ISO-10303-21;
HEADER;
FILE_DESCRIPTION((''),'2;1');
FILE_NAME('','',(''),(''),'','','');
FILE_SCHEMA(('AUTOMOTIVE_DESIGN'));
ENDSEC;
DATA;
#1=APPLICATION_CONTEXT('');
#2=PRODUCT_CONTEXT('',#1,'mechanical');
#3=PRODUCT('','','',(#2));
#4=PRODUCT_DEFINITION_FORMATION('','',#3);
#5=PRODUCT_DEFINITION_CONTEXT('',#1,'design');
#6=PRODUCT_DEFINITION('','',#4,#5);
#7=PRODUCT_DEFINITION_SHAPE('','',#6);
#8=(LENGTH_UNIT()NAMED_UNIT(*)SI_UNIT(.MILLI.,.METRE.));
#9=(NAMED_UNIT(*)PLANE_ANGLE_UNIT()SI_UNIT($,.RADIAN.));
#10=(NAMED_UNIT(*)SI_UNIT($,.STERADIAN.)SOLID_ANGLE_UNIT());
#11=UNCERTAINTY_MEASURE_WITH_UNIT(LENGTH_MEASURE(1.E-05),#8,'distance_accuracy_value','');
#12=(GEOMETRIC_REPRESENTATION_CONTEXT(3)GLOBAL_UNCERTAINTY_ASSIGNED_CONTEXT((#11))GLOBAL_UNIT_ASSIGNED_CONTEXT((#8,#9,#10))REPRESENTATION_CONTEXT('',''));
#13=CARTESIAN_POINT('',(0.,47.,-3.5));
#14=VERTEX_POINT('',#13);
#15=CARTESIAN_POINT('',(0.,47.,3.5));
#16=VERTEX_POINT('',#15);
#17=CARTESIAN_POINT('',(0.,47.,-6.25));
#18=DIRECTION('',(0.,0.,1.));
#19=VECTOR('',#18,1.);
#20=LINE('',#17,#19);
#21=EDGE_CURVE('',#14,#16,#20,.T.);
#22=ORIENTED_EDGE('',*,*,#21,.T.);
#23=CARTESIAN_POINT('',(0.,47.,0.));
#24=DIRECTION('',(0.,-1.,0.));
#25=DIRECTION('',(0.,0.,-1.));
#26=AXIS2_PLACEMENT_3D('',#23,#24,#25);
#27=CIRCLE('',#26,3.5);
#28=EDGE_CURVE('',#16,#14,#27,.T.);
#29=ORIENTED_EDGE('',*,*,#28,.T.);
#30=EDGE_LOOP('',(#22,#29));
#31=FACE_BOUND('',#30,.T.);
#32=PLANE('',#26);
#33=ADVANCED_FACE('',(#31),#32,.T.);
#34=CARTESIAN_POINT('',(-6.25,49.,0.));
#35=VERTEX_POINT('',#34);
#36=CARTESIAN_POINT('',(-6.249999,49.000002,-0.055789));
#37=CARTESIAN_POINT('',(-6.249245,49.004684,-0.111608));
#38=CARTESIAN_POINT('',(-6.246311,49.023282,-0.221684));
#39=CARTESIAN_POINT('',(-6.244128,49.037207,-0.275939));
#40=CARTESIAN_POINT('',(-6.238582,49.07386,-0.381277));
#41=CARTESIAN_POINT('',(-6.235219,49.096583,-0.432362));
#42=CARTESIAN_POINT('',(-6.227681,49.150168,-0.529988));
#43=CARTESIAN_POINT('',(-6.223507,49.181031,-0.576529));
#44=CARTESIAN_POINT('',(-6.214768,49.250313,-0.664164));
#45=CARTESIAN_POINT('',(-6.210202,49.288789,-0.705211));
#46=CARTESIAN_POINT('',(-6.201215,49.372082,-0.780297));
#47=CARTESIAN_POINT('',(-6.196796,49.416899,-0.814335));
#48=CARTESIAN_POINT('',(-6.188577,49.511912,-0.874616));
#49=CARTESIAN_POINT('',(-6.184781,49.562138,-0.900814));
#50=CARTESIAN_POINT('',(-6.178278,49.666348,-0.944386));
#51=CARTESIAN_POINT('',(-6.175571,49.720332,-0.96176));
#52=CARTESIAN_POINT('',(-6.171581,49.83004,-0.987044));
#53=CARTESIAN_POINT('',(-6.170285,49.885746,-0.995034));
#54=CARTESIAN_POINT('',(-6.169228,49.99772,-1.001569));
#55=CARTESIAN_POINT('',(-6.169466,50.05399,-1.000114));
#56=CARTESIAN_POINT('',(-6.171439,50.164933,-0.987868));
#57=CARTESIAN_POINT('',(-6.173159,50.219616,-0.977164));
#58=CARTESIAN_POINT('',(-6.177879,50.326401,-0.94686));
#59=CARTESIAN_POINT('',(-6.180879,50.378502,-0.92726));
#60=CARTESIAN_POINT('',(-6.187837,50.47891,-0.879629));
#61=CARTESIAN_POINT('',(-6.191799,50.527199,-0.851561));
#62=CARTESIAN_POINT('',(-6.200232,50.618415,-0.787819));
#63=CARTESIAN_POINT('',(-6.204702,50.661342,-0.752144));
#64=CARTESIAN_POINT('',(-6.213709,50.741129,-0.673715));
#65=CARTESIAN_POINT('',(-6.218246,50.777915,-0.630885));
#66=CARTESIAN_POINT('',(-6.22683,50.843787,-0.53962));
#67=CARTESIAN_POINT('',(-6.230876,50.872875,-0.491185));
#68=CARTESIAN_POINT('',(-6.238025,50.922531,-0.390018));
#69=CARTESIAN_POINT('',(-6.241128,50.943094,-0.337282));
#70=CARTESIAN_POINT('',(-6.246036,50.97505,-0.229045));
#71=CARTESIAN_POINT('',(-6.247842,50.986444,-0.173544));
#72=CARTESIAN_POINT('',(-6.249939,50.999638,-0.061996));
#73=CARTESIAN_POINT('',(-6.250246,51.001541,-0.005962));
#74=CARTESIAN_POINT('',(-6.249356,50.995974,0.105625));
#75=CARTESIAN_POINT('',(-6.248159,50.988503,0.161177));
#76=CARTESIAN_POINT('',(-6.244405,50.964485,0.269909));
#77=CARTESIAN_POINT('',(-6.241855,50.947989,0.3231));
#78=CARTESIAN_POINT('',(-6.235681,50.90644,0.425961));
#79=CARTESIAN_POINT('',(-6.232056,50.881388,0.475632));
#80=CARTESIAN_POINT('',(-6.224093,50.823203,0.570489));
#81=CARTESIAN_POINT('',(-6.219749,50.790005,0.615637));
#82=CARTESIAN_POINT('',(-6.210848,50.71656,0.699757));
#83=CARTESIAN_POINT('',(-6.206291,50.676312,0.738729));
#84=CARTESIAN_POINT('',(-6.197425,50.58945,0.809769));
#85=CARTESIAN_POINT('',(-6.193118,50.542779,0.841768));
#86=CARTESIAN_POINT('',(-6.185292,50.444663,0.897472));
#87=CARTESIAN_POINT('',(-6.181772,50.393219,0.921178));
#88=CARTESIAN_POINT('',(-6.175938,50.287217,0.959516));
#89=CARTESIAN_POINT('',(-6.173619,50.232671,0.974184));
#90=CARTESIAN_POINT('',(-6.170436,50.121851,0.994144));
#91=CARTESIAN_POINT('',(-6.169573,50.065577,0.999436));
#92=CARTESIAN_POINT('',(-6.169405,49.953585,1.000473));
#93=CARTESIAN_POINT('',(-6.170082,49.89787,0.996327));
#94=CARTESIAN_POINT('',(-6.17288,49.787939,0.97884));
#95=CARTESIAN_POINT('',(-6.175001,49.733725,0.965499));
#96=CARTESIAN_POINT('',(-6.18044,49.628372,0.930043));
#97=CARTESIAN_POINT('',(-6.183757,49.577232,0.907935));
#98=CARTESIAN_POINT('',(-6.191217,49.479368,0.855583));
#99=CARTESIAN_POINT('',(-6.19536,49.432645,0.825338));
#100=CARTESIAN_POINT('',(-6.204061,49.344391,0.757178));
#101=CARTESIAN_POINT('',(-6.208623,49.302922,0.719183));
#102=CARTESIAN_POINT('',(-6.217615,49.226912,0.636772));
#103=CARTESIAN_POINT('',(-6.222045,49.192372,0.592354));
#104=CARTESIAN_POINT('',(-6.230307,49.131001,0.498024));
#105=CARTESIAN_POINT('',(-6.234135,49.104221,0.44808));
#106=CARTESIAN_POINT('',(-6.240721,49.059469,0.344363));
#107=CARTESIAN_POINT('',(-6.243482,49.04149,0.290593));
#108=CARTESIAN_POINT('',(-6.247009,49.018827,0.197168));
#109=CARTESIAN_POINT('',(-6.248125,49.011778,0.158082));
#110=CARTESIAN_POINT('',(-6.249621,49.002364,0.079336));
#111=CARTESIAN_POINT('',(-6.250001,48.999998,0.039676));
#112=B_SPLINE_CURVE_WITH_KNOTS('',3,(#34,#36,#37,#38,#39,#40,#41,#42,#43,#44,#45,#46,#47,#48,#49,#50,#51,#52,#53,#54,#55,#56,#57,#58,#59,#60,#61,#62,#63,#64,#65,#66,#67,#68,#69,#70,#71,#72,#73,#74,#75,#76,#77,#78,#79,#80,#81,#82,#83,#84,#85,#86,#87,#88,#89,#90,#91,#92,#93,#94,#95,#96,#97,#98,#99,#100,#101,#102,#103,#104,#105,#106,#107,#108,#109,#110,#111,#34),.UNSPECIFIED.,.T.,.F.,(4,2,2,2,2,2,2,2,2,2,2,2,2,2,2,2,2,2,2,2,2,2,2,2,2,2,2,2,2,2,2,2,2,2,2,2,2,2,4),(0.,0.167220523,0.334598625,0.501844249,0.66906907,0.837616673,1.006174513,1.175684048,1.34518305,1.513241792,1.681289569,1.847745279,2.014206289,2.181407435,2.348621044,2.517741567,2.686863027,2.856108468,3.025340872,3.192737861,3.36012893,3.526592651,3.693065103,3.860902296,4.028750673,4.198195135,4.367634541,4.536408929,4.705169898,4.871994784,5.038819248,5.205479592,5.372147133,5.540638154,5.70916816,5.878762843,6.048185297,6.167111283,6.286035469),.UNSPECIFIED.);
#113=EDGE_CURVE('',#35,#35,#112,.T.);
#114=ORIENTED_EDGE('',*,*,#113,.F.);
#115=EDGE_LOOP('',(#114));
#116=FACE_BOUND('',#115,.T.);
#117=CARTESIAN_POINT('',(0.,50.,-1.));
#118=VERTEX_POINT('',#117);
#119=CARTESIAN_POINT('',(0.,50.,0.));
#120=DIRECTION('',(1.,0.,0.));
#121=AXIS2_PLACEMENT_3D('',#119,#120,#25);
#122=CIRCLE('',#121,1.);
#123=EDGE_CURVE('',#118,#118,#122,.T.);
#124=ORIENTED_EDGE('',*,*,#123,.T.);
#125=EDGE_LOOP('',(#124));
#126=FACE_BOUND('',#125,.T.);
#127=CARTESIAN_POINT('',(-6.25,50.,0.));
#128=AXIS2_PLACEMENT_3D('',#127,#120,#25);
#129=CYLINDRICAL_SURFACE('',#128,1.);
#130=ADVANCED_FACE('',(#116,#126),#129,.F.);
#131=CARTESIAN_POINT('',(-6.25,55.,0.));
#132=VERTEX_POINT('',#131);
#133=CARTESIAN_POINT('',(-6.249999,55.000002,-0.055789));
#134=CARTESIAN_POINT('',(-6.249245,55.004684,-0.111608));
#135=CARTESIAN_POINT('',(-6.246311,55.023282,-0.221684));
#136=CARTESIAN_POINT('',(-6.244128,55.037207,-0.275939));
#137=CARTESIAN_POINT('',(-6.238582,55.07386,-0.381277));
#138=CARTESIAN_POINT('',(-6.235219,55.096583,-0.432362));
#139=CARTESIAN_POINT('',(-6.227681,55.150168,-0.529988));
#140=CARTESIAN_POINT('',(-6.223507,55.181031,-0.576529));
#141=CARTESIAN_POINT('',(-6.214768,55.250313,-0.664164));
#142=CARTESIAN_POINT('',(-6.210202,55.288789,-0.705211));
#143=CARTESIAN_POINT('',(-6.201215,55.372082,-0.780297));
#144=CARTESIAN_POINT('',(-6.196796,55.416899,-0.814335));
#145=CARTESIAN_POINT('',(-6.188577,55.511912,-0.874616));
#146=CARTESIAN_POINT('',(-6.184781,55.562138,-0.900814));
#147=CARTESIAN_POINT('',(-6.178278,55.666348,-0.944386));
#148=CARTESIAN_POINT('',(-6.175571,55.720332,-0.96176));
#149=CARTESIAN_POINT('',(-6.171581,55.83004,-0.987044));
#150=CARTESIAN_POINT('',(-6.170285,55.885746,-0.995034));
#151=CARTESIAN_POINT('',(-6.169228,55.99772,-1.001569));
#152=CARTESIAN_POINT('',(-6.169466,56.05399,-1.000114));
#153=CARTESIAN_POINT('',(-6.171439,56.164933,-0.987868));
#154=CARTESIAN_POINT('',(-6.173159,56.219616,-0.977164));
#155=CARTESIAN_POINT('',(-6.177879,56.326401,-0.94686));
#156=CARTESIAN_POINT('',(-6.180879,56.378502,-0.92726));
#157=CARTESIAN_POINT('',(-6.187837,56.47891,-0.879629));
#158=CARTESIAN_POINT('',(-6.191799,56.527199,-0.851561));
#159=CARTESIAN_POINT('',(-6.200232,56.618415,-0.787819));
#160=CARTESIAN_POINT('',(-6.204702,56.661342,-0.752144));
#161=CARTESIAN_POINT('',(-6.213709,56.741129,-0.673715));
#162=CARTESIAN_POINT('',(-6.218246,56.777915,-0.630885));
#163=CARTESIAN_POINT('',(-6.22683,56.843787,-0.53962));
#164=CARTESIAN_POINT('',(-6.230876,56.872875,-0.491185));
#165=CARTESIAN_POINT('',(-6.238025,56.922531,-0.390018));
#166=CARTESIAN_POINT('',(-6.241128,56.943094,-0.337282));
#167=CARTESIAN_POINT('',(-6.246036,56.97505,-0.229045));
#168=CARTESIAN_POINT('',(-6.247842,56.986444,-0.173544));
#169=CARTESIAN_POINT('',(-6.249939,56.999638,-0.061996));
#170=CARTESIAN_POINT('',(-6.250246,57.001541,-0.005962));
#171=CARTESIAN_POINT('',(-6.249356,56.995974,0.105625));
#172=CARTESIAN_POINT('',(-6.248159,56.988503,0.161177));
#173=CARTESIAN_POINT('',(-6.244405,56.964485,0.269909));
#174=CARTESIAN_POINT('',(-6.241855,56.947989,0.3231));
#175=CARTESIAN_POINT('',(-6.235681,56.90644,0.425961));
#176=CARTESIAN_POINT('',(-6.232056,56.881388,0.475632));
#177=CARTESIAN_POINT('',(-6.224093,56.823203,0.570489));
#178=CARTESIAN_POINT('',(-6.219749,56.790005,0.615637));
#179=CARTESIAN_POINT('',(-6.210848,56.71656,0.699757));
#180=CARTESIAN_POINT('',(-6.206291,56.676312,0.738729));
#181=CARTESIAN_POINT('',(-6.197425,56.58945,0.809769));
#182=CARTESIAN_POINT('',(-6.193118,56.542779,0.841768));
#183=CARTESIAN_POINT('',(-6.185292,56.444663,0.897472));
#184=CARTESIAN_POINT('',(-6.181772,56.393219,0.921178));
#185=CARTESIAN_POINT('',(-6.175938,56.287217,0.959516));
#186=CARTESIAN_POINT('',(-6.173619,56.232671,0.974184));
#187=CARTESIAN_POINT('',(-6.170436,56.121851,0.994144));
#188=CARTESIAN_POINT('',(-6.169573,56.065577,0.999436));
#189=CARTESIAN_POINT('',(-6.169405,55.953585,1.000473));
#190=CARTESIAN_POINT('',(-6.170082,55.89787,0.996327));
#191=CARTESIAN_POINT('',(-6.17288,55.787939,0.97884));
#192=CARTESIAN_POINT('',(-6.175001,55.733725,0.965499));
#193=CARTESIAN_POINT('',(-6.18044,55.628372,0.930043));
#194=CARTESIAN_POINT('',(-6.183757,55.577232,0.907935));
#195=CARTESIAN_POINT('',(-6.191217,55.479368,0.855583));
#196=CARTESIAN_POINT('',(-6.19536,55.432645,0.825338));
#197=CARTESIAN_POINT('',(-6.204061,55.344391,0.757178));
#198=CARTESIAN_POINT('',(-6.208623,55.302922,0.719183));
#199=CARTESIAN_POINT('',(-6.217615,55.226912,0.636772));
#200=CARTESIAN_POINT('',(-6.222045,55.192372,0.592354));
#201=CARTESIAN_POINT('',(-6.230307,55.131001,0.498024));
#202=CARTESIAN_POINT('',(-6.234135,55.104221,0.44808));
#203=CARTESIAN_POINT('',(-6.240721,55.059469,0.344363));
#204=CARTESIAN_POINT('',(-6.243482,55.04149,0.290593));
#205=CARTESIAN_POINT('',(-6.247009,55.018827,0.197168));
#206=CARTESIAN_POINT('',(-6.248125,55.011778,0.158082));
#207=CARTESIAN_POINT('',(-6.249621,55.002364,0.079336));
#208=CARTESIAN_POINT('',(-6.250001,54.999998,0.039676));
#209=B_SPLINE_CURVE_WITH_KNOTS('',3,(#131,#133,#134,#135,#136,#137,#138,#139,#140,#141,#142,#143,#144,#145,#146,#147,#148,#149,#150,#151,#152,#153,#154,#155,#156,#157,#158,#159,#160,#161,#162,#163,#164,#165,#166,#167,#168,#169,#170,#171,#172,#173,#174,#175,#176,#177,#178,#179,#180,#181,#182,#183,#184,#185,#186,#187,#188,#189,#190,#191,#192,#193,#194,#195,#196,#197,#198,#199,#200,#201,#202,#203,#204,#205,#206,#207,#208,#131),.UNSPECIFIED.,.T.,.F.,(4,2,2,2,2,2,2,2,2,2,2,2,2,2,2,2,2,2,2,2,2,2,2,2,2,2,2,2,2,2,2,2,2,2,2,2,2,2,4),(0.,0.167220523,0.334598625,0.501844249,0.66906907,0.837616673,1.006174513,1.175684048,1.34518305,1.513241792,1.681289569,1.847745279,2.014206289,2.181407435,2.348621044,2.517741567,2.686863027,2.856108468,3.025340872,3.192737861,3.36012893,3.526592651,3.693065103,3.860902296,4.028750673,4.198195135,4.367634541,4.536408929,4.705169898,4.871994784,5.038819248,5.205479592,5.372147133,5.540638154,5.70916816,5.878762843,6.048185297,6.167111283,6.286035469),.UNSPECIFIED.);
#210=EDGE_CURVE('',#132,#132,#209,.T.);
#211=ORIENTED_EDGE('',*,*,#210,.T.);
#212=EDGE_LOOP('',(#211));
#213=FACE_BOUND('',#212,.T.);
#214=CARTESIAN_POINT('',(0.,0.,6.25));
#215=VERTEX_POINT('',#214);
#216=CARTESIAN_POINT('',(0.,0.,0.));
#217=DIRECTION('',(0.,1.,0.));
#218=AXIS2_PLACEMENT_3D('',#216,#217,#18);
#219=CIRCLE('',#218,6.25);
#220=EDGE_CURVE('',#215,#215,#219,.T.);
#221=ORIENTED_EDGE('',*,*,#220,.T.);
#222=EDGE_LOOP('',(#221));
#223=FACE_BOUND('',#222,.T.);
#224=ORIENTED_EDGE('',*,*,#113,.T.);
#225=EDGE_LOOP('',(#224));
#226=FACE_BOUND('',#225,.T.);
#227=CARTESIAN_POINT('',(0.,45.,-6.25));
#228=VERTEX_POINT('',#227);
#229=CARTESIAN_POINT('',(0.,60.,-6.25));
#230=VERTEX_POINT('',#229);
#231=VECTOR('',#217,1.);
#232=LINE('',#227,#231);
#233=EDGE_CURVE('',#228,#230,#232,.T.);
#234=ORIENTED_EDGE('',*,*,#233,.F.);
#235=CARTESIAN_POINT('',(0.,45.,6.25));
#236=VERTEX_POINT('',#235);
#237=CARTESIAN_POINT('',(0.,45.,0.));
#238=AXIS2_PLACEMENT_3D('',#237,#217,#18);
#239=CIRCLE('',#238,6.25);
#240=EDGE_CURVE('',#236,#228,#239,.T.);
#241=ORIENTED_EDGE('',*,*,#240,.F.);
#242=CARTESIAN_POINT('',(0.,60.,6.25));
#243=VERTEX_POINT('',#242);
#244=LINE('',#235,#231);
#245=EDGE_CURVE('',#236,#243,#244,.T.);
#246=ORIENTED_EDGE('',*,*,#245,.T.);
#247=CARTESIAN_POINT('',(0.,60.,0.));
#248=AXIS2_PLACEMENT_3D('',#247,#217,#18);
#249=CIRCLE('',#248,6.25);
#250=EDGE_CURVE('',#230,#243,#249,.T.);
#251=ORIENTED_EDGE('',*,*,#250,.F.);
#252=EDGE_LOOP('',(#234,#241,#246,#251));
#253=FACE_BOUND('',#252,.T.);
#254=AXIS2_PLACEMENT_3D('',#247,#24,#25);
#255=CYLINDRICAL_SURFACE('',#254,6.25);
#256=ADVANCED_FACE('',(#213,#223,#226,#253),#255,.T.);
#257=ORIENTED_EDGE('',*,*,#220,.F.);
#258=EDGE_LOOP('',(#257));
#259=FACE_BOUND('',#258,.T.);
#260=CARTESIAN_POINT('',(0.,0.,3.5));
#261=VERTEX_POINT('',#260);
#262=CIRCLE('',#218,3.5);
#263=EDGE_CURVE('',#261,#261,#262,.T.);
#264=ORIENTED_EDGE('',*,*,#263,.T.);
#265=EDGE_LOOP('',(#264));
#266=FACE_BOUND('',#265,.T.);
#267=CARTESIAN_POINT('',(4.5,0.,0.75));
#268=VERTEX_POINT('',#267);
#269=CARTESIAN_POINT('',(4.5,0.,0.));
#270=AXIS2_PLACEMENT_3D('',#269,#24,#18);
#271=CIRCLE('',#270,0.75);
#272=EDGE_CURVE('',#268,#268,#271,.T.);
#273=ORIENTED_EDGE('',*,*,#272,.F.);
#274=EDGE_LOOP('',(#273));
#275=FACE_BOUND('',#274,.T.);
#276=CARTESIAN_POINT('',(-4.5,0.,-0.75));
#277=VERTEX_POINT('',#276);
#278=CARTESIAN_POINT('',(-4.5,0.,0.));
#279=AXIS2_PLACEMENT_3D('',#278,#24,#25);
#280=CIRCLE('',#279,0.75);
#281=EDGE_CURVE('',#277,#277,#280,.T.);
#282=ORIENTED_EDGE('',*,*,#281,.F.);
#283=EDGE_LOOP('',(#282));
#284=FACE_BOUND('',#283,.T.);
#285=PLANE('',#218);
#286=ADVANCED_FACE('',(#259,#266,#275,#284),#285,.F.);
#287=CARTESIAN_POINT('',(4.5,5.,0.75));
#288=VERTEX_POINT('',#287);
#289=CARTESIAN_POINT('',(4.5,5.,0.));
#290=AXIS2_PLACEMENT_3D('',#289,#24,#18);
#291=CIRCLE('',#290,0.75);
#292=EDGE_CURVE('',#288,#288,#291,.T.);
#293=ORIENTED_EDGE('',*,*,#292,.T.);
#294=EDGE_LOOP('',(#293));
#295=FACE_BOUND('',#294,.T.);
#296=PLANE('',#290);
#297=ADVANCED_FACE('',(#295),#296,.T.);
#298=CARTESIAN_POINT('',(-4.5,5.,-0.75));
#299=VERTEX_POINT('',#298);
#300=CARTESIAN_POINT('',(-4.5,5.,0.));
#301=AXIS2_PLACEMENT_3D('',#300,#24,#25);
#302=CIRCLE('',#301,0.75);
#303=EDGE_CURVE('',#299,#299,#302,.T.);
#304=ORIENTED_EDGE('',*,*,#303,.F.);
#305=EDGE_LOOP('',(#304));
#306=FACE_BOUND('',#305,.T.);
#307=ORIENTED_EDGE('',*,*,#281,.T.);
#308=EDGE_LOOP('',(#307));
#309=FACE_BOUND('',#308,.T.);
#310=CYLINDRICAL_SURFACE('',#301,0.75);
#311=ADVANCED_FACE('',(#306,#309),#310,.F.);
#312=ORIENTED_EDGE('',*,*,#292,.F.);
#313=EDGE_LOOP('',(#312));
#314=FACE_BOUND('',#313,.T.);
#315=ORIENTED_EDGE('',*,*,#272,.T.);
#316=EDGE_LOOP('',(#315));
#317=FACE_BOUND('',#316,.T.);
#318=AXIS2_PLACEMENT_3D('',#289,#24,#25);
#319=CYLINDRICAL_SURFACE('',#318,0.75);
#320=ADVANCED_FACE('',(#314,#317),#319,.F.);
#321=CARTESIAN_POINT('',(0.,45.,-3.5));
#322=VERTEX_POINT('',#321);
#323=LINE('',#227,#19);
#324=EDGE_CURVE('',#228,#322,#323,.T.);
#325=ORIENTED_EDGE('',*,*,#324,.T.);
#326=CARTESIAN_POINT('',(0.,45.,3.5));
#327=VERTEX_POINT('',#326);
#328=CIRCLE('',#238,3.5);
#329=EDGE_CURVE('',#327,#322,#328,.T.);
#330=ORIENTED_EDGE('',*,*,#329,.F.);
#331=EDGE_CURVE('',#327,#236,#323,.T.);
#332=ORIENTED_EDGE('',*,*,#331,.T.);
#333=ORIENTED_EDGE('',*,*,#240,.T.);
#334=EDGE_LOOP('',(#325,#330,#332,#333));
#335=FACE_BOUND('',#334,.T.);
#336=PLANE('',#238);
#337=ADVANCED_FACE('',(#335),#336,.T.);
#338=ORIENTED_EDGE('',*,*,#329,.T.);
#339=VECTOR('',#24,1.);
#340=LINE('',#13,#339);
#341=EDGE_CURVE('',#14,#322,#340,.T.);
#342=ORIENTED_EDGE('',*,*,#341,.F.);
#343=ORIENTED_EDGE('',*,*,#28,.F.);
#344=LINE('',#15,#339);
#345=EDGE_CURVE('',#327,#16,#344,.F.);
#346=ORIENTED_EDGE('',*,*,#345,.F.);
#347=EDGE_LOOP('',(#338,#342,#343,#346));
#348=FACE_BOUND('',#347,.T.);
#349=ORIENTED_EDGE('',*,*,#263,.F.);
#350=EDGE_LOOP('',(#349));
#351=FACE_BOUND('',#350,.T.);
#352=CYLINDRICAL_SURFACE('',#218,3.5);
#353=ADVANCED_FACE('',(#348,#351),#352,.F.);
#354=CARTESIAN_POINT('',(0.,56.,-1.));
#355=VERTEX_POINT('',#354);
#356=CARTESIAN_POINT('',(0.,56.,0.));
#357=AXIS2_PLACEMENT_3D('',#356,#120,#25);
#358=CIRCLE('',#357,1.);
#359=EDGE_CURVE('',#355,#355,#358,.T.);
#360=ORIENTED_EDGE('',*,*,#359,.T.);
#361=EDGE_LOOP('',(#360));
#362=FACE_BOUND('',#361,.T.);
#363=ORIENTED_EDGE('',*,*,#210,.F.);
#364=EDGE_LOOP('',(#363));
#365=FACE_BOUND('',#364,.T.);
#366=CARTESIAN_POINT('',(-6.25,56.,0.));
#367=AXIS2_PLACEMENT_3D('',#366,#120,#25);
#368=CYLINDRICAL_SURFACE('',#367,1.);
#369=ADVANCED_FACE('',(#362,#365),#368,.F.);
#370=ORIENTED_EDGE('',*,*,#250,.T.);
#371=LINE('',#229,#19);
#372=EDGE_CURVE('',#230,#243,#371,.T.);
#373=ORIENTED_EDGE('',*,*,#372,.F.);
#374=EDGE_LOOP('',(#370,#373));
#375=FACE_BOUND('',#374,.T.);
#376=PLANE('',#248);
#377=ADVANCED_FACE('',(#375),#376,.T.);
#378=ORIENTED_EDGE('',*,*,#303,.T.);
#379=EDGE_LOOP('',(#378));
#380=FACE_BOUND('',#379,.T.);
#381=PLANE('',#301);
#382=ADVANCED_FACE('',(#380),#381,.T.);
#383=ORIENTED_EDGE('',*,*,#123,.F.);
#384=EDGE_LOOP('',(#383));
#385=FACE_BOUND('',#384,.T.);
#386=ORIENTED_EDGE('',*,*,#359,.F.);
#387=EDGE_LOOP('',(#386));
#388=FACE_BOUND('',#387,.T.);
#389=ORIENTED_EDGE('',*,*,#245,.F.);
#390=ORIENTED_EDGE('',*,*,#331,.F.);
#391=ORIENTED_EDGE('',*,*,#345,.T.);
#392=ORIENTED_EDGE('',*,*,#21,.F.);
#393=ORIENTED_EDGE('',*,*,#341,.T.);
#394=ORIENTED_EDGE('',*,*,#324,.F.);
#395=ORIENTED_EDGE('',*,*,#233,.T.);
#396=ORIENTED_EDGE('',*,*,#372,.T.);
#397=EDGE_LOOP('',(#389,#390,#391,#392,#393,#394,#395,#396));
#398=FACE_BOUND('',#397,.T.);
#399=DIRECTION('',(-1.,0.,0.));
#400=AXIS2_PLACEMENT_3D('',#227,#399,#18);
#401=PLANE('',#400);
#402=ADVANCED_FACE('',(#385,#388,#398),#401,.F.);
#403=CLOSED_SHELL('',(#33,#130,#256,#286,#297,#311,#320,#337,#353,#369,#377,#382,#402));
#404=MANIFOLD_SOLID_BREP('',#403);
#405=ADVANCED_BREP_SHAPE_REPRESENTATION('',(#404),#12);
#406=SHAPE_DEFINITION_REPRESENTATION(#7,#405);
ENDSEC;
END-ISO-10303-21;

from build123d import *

# Parameters (mm, degrees)
SKETCH1_R           = 6.25
BOSS_EXTRUDE1_DEPTH = 60
CUT_EXTRUDE2_START  = -15
CUT_EXTRUDE2_DEPTH  = 15
SKETCH3_R           = 3.5
CUT_EXTRUDE3_DEPTH  = 46.85984082
CUT_EXTRUDE5_START  = -2
SKETCH7_R           = 3.5
CUT_EXTRUDE5_DEPTH  = 2
SKETCH8_R           = 1
CUT_EXTRUDE6_DEPTH  = 61.647547354
LPATTERN1_COUNT     = 2
LPATTERN1_PITCH     = 6
SKETCH9_R           = 0.75
CUT_EXTRUDE7_DEPTH  = 5
CIRPATTERN1_COUNT   = 2


with BuildPart() as part:
    # Sketch1 → Boss-Extrude1 (new body)
    with BuildSketch(Plane(origin=(0, 0, 0), x_dir=(1, 0, 0), z_dir=(0, 1, 0))):
        with Locations(Location((0, 0, 0), (0, 0, 270))):
            Circle(SKETCH1_R)
    extrude(amount=BOSS_EXTRUDE1_DEPTH)

    # Sketch2 → Cut-Extrude2 (cut)
    with BuildSketch(Plane(origin=(0, 60, 0), x_dir=(1, 0, 0), z_dir=(0, 1, 0)).offset(CUT_EXTRUDE2_START)):
        with BuildLine():
            Line((0, 6.25), (0, -6.25))
            ThreePointArc((0, -6.25), (6.25, 0), (0, 6.25))
        make_face()
    extrude(amount=CUT_EXTRUDE2_DEPTH, mode=Mode.SUBTRACT)

    # Sketch3 → Cut-Extrude3 (cut, through all)
    with BuildSketch(Plane(origin=(0, 45, 0), x_dir=(1, 0, 0), z_dir=(0, 1, 0))):
        with Locations(Location((0, 0, 0), (0, 0, 270))):
            Circle(SKETCH3_R)
    extrude(amount=-CUT_EXTRUDE3_DEPTH, mode=Mode.SUBTRACT)

    # Sketch7 → Cut-Extrude5 (cut)
    with BuildSketch(Plane.XZ.offset(-45).offset(CUT_EXTRUDE5_START)):
        with Locations(Location((0, 0, 0), (0, 0, 90))):
            Circle(SKETCH7_R)
    extrude(amount=CUT_EXTRUDE5_DEPTH, mode=Mode.SUBTRACT)

    # Sketch8 → Cut-Extrude6 (cut, through all)
    with BuildSketch(Plane(origin=(0, 0, 0), x_dir=(0, 0, -1), z_dir=(1, 0, 0))):
        with Locations((0, 56)):
            Circle(SKETCH8_R)
    cut_extrude6 = extrude(amount=-CUT_EXTRUDE6_DEPTH, mode=Mode.SUBTRACT)

    # LPattern1: Cut-Extrude6 ×2
    with Locations(*[(0, -i * LPATTERN1_PITCH, 0) for i in range(1, LPATTERN1_COUNT)]):
        add(cut_extrude6, mode=Mode.SUBTRACT)

    # Sketch9 → Cut-Extrude7 (cut)
    with BuildSketch(Plane.XZ):
        with Locations(Location((-4.5, 0, 0), (0, 0, 270))):
            Circle(SKETCH9_R)
    cut_extrude7 = extrude(amount=-CUT_EXTRUDE7_DEPTH, mode=Mode.SUBTRACT)

    # CirPattern1: Cut-Extrude7 ×2 about axis
    cirpattern1_axis = Axis((0, 0, 0), (0, 1, 0))
    for i in range(1, CIRPATTERN1_COUNT):
        add(cut_extrude7.rotate(cirpattern1_axis, i * 360 / CIRPATTERN1_COUNT), mode=Mode.SUBTRACT)


solid = part.part
